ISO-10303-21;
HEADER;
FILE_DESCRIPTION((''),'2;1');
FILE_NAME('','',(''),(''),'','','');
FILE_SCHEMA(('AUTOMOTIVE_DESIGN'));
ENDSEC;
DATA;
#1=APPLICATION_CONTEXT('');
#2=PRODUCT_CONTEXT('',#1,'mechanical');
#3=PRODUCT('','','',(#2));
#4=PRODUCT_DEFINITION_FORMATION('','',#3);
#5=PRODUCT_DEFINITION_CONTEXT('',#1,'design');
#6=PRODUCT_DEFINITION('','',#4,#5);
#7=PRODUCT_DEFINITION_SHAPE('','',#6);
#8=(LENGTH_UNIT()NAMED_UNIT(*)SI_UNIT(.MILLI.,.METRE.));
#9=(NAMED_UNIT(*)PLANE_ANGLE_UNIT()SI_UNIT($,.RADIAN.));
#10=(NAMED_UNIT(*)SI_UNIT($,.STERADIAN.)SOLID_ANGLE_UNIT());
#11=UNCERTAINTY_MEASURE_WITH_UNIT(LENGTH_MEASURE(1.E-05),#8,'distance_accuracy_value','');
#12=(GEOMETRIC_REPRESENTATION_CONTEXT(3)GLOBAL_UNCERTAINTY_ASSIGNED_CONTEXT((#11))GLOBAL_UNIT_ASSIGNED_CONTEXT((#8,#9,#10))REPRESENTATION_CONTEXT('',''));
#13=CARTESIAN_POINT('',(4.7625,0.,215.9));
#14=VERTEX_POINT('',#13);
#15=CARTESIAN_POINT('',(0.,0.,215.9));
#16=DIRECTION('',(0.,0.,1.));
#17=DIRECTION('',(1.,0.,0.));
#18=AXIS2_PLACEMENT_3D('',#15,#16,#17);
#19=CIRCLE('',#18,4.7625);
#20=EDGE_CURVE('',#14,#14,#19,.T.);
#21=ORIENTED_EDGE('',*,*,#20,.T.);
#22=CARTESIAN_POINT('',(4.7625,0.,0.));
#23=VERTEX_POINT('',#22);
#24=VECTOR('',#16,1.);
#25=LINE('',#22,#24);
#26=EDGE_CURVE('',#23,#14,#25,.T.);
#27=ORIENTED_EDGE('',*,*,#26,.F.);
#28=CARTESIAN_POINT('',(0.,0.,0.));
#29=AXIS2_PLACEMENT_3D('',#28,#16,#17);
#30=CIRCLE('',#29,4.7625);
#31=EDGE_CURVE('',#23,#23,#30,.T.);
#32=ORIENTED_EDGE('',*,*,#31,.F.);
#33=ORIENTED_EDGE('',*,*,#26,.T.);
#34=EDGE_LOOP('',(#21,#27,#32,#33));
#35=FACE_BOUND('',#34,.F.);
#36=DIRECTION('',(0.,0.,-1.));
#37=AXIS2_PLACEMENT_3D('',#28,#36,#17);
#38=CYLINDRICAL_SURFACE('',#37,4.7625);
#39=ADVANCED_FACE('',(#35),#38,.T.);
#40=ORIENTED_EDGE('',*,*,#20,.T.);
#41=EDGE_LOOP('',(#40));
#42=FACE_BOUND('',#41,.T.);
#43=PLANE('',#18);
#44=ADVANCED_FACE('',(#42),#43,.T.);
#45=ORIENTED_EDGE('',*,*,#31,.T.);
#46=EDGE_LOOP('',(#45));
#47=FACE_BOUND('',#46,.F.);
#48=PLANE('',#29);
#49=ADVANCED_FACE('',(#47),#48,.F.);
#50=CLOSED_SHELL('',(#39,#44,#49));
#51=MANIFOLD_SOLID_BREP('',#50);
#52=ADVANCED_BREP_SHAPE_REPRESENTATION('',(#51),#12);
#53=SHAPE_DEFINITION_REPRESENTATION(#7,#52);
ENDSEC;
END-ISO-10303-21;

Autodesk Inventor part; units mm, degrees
ref_plane "YZ Plane" through (0, 0, 0) normal (1, 0, 0) x (0, 1, 0)
ref_plane "XZ Plane" through (0, 0, 0) normal (0, 1, 0) x (-1, 0, 0)
ref_plane "XY Plane" through (0, 0, 0) normal (0, 0, 1) x (1, 0, 0)
sketch "Sketch1" plane through (0, 0, 0) normal (0, 0, 1) x (1, 0, 0)
  circle A0 centre (0, 0) radius 4.7625
  dimension "d0" = 9.525
extrude "Extrusion1" add sketch "Sketch1" along normal blind 215.9
sketch "Sketch2" plane through (0, 0, 215.9) normal (0, 0, 1) x (1, 0, 0)
  circle A0 centre (0, 0) radius 4.7625 projected
properties part number "Sweeper Rod"
